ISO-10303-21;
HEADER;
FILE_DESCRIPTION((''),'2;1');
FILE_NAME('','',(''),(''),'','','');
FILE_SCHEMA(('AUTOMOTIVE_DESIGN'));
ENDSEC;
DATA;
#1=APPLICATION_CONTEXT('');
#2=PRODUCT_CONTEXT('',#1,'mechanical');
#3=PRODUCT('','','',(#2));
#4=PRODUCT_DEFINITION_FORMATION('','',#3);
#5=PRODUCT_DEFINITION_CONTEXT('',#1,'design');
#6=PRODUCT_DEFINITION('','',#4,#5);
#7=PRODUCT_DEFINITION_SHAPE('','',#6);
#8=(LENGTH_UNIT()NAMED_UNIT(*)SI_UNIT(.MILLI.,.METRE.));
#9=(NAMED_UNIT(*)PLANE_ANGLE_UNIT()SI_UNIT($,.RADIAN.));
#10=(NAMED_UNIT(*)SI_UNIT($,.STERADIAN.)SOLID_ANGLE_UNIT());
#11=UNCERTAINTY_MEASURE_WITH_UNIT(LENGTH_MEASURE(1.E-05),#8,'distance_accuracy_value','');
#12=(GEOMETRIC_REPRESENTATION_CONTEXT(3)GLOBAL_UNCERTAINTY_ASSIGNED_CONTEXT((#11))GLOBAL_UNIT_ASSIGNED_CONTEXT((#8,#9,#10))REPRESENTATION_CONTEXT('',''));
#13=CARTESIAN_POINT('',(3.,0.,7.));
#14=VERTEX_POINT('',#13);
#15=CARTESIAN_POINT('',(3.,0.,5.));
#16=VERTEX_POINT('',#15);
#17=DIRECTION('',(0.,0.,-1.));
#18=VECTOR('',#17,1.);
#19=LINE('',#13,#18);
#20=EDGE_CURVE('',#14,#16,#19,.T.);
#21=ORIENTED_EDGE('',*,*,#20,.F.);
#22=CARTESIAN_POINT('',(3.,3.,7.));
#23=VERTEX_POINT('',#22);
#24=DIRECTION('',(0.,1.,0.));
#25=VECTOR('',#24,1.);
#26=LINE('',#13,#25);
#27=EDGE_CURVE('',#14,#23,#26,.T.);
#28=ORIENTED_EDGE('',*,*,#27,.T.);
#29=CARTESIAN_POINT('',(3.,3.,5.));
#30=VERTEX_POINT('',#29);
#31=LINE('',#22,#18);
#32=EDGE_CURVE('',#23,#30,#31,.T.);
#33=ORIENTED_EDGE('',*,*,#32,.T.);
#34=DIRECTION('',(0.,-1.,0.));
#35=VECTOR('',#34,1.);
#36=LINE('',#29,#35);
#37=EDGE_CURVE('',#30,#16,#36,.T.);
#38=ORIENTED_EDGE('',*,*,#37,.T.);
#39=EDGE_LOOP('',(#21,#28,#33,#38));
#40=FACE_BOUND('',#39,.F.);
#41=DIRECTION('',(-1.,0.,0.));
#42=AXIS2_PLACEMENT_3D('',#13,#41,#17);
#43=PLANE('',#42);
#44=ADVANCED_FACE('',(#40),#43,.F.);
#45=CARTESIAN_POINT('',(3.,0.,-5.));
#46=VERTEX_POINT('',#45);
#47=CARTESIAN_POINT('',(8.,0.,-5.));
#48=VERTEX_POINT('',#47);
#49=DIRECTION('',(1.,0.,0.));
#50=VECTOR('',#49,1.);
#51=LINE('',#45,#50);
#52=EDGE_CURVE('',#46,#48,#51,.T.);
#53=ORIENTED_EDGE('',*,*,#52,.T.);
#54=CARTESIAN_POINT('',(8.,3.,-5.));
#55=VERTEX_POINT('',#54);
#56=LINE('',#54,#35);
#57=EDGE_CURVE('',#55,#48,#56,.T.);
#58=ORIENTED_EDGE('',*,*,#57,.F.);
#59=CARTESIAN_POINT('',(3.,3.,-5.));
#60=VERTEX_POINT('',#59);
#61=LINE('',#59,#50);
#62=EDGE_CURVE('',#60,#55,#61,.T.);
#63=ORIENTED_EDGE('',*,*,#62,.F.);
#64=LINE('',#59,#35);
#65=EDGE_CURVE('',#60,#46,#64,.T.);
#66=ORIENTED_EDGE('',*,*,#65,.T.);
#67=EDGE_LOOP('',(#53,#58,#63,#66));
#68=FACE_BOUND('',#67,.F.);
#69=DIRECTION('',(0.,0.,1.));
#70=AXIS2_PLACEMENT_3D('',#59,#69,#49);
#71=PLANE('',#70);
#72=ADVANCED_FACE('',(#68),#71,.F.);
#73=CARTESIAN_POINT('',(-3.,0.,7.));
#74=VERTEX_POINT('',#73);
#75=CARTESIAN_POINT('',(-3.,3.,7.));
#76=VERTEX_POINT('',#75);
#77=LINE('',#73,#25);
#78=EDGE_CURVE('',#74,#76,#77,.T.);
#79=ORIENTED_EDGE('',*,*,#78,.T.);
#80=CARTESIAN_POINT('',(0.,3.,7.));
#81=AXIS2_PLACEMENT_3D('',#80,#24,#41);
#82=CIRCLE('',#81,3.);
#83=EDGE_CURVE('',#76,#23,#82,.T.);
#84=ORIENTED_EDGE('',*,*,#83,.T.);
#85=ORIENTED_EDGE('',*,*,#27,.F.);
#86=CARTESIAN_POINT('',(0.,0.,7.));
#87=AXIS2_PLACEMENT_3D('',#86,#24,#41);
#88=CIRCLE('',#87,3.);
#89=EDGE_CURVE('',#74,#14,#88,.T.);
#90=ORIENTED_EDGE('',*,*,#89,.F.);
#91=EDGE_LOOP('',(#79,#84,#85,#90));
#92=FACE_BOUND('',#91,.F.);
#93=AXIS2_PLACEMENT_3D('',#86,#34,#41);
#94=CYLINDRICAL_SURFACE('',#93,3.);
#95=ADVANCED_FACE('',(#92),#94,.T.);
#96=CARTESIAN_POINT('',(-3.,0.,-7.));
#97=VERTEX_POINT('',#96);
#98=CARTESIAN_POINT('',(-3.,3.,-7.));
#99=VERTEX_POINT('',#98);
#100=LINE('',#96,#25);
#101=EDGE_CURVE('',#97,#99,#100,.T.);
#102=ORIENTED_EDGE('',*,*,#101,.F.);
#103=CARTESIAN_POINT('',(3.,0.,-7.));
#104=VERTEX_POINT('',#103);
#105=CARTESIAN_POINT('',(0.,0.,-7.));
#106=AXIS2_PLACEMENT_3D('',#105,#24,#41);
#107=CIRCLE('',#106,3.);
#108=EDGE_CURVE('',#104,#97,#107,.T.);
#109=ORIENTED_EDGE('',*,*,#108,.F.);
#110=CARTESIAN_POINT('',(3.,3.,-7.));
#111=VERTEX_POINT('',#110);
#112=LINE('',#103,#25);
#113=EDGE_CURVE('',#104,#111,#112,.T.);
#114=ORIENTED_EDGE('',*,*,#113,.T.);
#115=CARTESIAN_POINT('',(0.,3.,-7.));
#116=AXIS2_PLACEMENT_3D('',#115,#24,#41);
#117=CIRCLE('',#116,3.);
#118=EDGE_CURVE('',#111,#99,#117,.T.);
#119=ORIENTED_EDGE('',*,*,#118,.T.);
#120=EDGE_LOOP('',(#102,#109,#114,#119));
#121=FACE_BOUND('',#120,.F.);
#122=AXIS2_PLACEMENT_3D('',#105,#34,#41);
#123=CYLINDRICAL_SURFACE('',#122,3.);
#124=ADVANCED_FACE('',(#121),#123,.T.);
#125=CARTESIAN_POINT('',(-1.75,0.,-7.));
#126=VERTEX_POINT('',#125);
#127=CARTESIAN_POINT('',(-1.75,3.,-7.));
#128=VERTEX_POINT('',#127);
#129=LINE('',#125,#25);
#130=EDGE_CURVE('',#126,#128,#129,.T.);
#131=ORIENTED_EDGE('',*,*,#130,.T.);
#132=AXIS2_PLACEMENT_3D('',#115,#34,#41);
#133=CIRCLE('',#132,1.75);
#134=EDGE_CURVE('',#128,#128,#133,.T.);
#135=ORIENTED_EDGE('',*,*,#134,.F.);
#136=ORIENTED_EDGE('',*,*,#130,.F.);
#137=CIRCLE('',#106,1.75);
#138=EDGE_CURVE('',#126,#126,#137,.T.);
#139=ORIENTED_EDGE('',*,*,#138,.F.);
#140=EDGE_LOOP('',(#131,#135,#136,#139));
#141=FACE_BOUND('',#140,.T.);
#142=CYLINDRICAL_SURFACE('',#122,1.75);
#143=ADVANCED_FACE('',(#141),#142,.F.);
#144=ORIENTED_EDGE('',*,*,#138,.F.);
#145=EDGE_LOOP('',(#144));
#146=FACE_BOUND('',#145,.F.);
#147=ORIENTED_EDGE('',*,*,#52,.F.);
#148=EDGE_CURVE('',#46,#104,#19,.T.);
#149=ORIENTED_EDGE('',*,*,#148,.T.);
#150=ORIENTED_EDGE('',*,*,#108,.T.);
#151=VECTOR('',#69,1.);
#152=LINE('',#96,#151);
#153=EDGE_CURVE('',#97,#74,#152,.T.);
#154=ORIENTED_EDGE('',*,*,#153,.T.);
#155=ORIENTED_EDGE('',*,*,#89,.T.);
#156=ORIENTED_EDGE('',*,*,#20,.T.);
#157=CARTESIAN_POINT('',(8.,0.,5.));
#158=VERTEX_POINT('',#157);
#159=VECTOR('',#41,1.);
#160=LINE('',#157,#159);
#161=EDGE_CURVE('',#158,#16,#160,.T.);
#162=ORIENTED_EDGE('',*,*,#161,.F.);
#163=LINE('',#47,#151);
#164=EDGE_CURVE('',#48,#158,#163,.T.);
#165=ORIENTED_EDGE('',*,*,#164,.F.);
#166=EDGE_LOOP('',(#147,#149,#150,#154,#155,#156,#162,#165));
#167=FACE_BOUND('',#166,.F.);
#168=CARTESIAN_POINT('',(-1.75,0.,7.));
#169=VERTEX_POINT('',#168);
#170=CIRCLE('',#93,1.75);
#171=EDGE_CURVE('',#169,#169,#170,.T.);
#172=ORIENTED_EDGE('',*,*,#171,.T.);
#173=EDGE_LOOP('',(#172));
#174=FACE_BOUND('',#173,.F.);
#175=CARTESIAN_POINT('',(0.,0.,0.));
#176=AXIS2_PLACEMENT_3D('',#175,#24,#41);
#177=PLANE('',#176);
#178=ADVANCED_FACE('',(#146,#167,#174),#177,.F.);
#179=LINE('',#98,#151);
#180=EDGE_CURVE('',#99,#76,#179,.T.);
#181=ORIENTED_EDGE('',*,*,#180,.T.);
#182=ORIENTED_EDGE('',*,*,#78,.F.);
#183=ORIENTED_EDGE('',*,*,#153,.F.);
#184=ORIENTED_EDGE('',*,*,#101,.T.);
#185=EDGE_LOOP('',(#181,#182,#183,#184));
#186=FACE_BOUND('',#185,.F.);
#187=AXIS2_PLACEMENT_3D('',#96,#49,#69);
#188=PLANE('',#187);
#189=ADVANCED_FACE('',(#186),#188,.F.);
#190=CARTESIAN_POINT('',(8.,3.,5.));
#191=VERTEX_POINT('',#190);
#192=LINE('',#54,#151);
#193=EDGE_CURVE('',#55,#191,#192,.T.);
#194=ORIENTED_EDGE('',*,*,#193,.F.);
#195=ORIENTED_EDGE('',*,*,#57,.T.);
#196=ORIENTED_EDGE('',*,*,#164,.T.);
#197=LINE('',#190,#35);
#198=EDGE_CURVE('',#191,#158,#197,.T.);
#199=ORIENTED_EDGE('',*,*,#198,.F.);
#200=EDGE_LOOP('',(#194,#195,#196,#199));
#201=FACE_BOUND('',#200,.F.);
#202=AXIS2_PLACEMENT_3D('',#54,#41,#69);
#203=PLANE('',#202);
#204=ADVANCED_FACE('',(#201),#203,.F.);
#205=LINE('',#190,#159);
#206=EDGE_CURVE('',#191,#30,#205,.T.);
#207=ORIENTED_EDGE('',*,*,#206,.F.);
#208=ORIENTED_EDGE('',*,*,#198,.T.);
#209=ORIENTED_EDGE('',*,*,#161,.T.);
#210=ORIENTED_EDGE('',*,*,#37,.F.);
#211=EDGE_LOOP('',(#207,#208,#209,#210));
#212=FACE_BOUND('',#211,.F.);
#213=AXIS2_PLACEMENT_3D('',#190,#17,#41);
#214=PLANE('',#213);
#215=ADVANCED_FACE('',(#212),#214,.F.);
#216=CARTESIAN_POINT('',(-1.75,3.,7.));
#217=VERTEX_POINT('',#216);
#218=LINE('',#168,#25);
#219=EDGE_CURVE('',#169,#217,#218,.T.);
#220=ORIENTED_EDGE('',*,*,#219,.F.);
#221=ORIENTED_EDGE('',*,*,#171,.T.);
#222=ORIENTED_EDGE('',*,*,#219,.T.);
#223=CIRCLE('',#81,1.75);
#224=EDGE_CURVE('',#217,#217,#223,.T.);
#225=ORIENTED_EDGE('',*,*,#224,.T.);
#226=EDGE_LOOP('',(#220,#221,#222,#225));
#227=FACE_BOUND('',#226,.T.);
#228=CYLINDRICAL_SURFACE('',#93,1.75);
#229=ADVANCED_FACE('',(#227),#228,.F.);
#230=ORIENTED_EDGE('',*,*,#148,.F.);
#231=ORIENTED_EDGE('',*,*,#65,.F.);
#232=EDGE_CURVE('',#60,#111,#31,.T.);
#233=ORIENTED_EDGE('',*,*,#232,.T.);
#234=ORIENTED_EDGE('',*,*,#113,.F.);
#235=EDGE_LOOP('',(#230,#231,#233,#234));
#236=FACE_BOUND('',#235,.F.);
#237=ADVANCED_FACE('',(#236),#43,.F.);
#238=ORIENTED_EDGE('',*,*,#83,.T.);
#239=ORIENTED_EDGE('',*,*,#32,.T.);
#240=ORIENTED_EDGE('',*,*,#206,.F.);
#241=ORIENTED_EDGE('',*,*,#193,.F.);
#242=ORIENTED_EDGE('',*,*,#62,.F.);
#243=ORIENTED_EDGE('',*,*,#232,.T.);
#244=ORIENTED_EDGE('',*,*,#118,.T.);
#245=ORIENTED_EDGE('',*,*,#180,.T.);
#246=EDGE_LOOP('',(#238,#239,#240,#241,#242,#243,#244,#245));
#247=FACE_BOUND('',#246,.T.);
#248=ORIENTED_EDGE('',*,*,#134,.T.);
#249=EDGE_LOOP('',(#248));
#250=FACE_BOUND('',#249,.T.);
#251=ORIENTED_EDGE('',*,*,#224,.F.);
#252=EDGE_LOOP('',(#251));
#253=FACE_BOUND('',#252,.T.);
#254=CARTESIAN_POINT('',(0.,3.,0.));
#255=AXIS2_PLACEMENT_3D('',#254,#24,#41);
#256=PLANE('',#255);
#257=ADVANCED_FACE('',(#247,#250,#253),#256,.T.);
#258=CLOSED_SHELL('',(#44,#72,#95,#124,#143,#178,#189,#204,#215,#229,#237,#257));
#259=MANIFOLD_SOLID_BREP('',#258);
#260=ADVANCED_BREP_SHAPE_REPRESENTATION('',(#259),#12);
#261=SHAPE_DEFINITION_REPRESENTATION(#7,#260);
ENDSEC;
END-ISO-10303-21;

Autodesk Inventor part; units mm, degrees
ref_plane "YZ Plane" through (0, 0, 0) normal (1, 0, 0) x (0, 1, 0)
ref_plane "XZ Plane" through (0, 0, 0) normal (0, 1, 0) x (-1, 0, 0)
ref_plane "XY Plane" through (0, 0, 0) normal (0, 0, 1) x (1, 0, 0)
sketch "Sketch1" plane through (0, 0, 0) normal (0, 1, 0) x (-1, 0, 0)
  circle A0 centre (0, 7) radius 1.75
  circle A1 centre (0, -7) radius 1.75
  line L0 (3, 7) -> (-3, 7)
  line L1 (-3, 7) -> (-3, -7)
  line L2 (-3, -7) -> (3, -7)
  line L3 (3, -7) -> (3, 7)
  circle A2 centre (0, 7) radius 3
  circle A3 centre (0, -7) radius 3
  point P0 (0, 0)
  point P1 (-3, 7)
  dimension "d0" = 3.5
  dimension "d1" = 3.5
  dimension "d2" = 14
  dimension "d3" = 7
  dimension "d4" = 0
  dimension "d5" = 0
  dimension "d6" = 6
  dimension "d7" = 14
  dimension "d8" = 3
  dimension "d9" = 6
  dimension "d10" = 6
  dimension "d11" = 7
extrude "Extrusion1" add sketch "Sketch1" along normal blind 3 contours L0 A2 A0 | A0 L0 A2 | L3 A3 L1 A2 | A3 L2 A1 | L2 A1 A3
sketch "Sketch2" plane through (0, 3, 0) normal (0, 1, 0) x (1, 0, 0)
  line L0 (3, -7) -> (3, 7) projected
  line L1 (3, 5) -> (8, 5)
  line L2 (8, 5) -> (8, -5)
  line L3 (8, -5) -> (3, -5)
  line L4 (3, -5) -> (3, 5)
  point P0 (0, 0)
  dimension "d14" = 5
  dimension "d15" = 5
  dimension "d16" = 5
extrude "Extrusion2" add sketch "Sketch2" against normal up to surface (3 mm away)
properties part number "Top Bracket"
